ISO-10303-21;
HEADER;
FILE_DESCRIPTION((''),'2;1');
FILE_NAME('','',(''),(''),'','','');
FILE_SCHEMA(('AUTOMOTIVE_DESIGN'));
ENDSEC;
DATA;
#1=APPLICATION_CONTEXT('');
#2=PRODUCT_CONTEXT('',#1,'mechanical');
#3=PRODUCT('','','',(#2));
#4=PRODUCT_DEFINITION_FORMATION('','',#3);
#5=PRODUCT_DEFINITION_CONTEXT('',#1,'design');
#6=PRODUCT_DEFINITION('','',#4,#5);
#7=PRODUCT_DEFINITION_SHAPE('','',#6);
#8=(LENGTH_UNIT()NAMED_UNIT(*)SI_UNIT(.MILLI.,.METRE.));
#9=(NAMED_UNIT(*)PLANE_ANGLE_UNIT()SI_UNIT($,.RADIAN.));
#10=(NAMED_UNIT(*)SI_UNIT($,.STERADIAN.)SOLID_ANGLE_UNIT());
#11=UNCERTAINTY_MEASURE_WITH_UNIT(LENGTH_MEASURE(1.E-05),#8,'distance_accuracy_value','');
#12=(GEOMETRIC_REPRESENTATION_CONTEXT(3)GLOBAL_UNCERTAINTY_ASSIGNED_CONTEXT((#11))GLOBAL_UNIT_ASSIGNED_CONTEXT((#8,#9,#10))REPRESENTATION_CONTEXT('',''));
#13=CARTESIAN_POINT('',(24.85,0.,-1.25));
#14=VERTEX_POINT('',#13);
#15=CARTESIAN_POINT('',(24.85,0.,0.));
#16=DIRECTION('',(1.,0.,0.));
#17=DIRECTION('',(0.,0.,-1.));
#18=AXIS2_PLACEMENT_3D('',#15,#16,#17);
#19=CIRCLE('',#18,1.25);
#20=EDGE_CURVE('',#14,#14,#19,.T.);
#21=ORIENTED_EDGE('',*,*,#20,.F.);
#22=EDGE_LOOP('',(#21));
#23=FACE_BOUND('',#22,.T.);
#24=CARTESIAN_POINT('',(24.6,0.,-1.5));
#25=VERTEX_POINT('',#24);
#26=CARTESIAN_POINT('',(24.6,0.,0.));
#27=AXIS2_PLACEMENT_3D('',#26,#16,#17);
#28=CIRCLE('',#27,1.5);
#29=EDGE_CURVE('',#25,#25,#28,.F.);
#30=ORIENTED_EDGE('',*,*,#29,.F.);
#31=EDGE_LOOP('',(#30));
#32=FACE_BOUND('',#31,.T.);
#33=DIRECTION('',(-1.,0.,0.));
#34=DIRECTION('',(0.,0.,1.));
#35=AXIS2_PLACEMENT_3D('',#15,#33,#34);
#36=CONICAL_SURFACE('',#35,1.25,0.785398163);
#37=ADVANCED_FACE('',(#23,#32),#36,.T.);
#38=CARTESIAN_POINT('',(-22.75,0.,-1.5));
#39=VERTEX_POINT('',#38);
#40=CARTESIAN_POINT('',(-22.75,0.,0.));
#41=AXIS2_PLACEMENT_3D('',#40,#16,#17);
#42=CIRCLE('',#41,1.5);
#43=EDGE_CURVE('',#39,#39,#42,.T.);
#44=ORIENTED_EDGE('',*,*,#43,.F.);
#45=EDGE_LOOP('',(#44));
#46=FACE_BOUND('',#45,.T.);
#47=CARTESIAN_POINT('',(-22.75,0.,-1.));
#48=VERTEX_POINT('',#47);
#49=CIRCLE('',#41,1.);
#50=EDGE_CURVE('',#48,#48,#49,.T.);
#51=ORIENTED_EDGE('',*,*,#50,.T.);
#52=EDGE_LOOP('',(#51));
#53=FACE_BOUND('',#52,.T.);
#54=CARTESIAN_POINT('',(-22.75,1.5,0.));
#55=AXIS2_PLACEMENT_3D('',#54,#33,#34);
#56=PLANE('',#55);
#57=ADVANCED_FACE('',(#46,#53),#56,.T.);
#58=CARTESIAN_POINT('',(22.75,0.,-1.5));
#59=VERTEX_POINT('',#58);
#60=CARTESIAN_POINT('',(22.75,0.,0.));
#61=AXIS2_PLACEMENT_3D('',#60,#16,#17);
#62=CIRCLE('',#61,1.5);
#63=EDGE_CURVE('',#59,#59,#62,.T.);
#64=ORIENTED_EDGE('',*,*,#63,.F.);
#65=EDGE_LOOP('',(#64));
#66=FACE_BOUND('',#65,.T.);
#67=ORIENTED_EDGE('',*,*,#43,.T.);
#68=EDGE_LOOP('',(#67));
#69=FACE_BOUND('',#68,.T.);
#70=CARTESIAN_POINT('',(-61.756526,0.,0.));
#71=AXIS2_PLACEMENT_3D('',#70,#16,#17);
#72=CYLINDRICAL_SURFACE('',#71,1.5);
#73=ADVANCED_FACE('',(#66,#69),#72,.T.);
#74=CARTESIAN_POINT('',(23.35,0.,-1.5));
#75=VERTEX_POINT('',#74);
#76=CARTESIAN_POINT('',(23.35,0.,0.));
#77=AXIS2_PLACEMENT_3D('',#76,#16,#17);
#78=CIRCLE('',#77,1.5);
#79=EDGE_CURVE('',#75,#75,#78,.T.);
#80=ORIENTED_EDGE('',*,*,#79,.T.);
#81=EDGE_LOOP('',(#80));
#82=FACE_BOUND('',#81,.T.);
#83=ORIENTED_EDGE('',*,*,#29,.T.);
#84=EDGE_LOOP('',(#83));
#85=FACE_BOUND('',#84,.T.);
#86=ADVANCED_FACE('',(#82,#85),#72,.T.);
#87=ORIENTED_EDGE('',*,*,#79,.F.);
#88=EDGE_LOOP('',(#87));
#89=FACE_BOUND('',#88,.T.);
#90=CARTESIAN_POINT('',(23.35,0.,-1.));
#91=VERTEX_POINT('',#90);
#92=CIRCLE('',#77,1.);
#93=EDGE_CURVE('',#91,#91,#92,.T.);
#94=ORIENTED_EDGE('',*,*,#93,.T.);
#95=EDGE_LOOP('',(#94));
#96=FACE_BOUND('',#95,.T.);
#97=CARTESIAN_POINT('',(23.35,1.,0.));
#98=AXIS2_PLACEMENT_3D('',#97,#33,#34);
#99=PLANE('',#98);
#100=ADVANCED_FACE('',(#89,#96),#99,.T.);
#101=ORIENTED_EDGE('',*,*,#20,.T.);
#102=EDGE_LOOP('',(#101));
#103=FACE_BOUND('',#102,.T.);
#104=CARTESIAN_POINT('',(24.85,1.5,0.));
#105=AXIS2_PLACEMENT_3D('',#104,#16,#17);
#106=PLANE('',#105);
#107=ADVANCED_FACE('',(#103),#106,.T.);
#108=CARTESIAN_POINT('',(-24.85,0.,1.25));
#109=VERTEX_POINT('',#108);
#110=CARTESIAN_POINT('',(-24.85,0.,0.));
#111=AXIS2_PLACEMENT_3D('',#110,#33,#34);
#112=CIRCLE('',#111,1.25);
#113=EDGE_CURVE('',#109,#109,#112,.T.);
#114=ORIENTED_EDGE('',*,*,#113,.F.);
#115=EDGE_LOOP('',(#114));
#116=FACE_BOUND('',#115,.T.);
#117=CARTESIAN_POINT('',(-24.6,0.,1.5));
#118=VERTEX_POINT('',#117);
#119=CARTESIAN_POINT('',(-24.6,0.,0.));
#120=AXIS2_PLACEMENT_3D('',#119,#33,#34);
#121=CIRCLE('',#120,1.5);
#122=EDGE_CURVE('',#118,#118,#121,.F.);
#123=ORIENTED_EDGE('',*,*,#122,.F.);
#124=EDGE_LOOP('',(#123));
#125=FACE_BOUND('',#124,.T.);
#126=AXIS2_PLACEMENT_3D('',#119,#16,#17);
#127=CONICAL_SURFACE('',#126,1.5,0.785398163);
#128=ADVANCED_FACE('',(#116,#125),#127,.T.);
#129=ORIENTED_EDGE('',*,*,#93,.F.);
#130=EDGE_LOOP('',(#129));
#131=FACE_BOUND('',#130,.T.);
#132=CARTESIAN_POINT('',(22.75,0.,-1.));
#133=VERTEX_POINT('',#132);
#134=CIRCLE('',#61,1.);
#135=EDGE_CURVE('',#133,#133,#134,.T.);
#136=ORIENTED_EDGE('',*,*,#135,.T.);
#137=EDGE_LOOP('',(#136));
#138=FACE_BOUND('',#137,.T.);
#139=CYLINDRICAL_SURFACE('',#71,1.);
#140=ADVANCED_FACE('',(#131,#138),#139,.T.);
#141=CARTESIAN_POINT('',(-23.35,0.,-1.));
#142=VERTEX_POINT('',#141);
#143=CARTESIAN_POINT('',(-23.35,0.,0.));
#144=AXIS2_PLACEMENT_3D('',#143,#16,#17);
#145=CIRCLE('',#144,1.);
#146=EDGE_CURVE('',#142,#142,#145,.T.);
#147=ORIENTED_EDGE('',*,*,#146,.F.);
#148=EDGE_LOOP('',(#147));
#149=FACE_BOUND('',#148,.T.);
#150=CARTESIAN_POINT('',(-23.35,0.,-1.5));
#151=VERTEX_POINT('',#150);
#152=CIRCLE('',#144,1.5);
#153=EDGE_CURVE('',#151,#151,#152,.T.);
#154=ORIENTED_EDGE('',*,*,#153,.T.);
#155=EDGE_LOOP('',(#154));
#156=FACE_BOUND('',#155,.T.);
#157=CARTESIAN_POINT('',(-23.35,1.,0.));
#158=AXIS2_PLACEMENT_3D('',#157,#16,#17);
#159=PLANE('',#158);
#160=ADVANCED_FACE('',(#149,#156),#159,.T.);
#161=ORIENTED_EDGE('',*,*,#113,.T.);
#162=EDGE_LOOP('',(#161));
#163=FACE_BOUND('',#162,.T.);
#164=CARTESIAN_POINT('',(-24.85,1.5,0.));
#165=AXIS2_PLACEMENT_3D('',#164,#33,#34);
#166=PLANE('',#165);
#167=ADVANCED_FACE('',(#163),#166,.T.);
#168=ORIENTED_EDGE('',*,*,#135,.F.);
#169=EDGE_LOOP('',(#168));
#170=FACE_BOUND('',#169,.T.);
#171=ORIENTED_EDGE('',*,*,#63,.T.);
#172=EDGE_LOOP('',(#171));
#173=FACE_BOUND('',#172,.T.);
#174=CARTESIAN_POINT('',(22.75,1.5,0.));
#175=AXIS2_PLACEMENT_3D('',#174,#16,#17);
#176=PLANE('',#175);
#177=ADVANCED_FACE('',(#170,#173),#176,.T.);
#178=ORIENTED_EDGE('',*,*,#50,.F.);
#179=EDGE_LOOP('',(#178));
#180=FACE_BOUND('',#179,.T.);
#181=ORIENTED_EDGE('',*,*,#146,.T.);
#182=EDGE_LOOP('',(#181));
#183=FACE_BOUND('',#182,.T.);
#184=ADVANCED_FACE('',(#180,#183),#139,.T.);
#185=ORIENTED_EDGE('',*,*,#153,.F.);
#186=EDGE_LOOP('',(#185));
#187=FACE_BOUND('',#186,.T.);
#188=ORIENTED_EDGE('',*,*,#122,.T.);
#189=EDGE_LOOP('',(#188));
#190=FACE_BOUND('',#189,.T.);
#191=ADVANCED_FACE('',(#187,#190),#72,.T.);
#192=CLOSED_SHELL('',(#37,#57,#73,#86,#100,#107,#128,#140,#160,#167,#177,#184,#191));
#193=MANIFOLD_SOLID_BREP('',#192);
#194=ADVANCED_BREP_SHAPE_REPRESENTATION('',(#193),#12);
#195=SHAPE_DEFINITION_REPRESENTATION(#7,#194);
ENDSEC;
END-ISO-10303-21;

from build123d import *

# Parameters (mm, degrees)
CHAMFER1_SIZE = 0.25


with BuildPart() as part:
    # Sketch2 → Revolve1 (revolve)
    with BuildSketch(Plane.XY, mode=Mode.PRIVATE) as revolve1_sk:
        Polygon((22.75, 1.5), (-22.75, 1.5), (-22.75, 1), (-23.35, 1), (-23.35, 1.5), (-24.85, 1.5), (-24.85, 0), (24.85, 0), (24.85, 1.5), (23.35, 1.5), (23.35, 1), (22.75, 1), align=None)
    revolve(revolve1_sk.sketch.rotate(Axis((-61.756525867, 0, 0), (-1, 0, 0)), 90), axis=Axis((-61.756525867, 0, 0), (-1, 0, 0)))

    # Chamfer1
    chamfer1_edges = [part.edges().sort_by_distance(p)[0] for p in [
        (-24.85, 0, 1.5),
        (24.85, 0, 1.5),
    ]]
    chamfer(chamfer1_edges, length=CHAMFER1_SIZE)


solid = part.part
